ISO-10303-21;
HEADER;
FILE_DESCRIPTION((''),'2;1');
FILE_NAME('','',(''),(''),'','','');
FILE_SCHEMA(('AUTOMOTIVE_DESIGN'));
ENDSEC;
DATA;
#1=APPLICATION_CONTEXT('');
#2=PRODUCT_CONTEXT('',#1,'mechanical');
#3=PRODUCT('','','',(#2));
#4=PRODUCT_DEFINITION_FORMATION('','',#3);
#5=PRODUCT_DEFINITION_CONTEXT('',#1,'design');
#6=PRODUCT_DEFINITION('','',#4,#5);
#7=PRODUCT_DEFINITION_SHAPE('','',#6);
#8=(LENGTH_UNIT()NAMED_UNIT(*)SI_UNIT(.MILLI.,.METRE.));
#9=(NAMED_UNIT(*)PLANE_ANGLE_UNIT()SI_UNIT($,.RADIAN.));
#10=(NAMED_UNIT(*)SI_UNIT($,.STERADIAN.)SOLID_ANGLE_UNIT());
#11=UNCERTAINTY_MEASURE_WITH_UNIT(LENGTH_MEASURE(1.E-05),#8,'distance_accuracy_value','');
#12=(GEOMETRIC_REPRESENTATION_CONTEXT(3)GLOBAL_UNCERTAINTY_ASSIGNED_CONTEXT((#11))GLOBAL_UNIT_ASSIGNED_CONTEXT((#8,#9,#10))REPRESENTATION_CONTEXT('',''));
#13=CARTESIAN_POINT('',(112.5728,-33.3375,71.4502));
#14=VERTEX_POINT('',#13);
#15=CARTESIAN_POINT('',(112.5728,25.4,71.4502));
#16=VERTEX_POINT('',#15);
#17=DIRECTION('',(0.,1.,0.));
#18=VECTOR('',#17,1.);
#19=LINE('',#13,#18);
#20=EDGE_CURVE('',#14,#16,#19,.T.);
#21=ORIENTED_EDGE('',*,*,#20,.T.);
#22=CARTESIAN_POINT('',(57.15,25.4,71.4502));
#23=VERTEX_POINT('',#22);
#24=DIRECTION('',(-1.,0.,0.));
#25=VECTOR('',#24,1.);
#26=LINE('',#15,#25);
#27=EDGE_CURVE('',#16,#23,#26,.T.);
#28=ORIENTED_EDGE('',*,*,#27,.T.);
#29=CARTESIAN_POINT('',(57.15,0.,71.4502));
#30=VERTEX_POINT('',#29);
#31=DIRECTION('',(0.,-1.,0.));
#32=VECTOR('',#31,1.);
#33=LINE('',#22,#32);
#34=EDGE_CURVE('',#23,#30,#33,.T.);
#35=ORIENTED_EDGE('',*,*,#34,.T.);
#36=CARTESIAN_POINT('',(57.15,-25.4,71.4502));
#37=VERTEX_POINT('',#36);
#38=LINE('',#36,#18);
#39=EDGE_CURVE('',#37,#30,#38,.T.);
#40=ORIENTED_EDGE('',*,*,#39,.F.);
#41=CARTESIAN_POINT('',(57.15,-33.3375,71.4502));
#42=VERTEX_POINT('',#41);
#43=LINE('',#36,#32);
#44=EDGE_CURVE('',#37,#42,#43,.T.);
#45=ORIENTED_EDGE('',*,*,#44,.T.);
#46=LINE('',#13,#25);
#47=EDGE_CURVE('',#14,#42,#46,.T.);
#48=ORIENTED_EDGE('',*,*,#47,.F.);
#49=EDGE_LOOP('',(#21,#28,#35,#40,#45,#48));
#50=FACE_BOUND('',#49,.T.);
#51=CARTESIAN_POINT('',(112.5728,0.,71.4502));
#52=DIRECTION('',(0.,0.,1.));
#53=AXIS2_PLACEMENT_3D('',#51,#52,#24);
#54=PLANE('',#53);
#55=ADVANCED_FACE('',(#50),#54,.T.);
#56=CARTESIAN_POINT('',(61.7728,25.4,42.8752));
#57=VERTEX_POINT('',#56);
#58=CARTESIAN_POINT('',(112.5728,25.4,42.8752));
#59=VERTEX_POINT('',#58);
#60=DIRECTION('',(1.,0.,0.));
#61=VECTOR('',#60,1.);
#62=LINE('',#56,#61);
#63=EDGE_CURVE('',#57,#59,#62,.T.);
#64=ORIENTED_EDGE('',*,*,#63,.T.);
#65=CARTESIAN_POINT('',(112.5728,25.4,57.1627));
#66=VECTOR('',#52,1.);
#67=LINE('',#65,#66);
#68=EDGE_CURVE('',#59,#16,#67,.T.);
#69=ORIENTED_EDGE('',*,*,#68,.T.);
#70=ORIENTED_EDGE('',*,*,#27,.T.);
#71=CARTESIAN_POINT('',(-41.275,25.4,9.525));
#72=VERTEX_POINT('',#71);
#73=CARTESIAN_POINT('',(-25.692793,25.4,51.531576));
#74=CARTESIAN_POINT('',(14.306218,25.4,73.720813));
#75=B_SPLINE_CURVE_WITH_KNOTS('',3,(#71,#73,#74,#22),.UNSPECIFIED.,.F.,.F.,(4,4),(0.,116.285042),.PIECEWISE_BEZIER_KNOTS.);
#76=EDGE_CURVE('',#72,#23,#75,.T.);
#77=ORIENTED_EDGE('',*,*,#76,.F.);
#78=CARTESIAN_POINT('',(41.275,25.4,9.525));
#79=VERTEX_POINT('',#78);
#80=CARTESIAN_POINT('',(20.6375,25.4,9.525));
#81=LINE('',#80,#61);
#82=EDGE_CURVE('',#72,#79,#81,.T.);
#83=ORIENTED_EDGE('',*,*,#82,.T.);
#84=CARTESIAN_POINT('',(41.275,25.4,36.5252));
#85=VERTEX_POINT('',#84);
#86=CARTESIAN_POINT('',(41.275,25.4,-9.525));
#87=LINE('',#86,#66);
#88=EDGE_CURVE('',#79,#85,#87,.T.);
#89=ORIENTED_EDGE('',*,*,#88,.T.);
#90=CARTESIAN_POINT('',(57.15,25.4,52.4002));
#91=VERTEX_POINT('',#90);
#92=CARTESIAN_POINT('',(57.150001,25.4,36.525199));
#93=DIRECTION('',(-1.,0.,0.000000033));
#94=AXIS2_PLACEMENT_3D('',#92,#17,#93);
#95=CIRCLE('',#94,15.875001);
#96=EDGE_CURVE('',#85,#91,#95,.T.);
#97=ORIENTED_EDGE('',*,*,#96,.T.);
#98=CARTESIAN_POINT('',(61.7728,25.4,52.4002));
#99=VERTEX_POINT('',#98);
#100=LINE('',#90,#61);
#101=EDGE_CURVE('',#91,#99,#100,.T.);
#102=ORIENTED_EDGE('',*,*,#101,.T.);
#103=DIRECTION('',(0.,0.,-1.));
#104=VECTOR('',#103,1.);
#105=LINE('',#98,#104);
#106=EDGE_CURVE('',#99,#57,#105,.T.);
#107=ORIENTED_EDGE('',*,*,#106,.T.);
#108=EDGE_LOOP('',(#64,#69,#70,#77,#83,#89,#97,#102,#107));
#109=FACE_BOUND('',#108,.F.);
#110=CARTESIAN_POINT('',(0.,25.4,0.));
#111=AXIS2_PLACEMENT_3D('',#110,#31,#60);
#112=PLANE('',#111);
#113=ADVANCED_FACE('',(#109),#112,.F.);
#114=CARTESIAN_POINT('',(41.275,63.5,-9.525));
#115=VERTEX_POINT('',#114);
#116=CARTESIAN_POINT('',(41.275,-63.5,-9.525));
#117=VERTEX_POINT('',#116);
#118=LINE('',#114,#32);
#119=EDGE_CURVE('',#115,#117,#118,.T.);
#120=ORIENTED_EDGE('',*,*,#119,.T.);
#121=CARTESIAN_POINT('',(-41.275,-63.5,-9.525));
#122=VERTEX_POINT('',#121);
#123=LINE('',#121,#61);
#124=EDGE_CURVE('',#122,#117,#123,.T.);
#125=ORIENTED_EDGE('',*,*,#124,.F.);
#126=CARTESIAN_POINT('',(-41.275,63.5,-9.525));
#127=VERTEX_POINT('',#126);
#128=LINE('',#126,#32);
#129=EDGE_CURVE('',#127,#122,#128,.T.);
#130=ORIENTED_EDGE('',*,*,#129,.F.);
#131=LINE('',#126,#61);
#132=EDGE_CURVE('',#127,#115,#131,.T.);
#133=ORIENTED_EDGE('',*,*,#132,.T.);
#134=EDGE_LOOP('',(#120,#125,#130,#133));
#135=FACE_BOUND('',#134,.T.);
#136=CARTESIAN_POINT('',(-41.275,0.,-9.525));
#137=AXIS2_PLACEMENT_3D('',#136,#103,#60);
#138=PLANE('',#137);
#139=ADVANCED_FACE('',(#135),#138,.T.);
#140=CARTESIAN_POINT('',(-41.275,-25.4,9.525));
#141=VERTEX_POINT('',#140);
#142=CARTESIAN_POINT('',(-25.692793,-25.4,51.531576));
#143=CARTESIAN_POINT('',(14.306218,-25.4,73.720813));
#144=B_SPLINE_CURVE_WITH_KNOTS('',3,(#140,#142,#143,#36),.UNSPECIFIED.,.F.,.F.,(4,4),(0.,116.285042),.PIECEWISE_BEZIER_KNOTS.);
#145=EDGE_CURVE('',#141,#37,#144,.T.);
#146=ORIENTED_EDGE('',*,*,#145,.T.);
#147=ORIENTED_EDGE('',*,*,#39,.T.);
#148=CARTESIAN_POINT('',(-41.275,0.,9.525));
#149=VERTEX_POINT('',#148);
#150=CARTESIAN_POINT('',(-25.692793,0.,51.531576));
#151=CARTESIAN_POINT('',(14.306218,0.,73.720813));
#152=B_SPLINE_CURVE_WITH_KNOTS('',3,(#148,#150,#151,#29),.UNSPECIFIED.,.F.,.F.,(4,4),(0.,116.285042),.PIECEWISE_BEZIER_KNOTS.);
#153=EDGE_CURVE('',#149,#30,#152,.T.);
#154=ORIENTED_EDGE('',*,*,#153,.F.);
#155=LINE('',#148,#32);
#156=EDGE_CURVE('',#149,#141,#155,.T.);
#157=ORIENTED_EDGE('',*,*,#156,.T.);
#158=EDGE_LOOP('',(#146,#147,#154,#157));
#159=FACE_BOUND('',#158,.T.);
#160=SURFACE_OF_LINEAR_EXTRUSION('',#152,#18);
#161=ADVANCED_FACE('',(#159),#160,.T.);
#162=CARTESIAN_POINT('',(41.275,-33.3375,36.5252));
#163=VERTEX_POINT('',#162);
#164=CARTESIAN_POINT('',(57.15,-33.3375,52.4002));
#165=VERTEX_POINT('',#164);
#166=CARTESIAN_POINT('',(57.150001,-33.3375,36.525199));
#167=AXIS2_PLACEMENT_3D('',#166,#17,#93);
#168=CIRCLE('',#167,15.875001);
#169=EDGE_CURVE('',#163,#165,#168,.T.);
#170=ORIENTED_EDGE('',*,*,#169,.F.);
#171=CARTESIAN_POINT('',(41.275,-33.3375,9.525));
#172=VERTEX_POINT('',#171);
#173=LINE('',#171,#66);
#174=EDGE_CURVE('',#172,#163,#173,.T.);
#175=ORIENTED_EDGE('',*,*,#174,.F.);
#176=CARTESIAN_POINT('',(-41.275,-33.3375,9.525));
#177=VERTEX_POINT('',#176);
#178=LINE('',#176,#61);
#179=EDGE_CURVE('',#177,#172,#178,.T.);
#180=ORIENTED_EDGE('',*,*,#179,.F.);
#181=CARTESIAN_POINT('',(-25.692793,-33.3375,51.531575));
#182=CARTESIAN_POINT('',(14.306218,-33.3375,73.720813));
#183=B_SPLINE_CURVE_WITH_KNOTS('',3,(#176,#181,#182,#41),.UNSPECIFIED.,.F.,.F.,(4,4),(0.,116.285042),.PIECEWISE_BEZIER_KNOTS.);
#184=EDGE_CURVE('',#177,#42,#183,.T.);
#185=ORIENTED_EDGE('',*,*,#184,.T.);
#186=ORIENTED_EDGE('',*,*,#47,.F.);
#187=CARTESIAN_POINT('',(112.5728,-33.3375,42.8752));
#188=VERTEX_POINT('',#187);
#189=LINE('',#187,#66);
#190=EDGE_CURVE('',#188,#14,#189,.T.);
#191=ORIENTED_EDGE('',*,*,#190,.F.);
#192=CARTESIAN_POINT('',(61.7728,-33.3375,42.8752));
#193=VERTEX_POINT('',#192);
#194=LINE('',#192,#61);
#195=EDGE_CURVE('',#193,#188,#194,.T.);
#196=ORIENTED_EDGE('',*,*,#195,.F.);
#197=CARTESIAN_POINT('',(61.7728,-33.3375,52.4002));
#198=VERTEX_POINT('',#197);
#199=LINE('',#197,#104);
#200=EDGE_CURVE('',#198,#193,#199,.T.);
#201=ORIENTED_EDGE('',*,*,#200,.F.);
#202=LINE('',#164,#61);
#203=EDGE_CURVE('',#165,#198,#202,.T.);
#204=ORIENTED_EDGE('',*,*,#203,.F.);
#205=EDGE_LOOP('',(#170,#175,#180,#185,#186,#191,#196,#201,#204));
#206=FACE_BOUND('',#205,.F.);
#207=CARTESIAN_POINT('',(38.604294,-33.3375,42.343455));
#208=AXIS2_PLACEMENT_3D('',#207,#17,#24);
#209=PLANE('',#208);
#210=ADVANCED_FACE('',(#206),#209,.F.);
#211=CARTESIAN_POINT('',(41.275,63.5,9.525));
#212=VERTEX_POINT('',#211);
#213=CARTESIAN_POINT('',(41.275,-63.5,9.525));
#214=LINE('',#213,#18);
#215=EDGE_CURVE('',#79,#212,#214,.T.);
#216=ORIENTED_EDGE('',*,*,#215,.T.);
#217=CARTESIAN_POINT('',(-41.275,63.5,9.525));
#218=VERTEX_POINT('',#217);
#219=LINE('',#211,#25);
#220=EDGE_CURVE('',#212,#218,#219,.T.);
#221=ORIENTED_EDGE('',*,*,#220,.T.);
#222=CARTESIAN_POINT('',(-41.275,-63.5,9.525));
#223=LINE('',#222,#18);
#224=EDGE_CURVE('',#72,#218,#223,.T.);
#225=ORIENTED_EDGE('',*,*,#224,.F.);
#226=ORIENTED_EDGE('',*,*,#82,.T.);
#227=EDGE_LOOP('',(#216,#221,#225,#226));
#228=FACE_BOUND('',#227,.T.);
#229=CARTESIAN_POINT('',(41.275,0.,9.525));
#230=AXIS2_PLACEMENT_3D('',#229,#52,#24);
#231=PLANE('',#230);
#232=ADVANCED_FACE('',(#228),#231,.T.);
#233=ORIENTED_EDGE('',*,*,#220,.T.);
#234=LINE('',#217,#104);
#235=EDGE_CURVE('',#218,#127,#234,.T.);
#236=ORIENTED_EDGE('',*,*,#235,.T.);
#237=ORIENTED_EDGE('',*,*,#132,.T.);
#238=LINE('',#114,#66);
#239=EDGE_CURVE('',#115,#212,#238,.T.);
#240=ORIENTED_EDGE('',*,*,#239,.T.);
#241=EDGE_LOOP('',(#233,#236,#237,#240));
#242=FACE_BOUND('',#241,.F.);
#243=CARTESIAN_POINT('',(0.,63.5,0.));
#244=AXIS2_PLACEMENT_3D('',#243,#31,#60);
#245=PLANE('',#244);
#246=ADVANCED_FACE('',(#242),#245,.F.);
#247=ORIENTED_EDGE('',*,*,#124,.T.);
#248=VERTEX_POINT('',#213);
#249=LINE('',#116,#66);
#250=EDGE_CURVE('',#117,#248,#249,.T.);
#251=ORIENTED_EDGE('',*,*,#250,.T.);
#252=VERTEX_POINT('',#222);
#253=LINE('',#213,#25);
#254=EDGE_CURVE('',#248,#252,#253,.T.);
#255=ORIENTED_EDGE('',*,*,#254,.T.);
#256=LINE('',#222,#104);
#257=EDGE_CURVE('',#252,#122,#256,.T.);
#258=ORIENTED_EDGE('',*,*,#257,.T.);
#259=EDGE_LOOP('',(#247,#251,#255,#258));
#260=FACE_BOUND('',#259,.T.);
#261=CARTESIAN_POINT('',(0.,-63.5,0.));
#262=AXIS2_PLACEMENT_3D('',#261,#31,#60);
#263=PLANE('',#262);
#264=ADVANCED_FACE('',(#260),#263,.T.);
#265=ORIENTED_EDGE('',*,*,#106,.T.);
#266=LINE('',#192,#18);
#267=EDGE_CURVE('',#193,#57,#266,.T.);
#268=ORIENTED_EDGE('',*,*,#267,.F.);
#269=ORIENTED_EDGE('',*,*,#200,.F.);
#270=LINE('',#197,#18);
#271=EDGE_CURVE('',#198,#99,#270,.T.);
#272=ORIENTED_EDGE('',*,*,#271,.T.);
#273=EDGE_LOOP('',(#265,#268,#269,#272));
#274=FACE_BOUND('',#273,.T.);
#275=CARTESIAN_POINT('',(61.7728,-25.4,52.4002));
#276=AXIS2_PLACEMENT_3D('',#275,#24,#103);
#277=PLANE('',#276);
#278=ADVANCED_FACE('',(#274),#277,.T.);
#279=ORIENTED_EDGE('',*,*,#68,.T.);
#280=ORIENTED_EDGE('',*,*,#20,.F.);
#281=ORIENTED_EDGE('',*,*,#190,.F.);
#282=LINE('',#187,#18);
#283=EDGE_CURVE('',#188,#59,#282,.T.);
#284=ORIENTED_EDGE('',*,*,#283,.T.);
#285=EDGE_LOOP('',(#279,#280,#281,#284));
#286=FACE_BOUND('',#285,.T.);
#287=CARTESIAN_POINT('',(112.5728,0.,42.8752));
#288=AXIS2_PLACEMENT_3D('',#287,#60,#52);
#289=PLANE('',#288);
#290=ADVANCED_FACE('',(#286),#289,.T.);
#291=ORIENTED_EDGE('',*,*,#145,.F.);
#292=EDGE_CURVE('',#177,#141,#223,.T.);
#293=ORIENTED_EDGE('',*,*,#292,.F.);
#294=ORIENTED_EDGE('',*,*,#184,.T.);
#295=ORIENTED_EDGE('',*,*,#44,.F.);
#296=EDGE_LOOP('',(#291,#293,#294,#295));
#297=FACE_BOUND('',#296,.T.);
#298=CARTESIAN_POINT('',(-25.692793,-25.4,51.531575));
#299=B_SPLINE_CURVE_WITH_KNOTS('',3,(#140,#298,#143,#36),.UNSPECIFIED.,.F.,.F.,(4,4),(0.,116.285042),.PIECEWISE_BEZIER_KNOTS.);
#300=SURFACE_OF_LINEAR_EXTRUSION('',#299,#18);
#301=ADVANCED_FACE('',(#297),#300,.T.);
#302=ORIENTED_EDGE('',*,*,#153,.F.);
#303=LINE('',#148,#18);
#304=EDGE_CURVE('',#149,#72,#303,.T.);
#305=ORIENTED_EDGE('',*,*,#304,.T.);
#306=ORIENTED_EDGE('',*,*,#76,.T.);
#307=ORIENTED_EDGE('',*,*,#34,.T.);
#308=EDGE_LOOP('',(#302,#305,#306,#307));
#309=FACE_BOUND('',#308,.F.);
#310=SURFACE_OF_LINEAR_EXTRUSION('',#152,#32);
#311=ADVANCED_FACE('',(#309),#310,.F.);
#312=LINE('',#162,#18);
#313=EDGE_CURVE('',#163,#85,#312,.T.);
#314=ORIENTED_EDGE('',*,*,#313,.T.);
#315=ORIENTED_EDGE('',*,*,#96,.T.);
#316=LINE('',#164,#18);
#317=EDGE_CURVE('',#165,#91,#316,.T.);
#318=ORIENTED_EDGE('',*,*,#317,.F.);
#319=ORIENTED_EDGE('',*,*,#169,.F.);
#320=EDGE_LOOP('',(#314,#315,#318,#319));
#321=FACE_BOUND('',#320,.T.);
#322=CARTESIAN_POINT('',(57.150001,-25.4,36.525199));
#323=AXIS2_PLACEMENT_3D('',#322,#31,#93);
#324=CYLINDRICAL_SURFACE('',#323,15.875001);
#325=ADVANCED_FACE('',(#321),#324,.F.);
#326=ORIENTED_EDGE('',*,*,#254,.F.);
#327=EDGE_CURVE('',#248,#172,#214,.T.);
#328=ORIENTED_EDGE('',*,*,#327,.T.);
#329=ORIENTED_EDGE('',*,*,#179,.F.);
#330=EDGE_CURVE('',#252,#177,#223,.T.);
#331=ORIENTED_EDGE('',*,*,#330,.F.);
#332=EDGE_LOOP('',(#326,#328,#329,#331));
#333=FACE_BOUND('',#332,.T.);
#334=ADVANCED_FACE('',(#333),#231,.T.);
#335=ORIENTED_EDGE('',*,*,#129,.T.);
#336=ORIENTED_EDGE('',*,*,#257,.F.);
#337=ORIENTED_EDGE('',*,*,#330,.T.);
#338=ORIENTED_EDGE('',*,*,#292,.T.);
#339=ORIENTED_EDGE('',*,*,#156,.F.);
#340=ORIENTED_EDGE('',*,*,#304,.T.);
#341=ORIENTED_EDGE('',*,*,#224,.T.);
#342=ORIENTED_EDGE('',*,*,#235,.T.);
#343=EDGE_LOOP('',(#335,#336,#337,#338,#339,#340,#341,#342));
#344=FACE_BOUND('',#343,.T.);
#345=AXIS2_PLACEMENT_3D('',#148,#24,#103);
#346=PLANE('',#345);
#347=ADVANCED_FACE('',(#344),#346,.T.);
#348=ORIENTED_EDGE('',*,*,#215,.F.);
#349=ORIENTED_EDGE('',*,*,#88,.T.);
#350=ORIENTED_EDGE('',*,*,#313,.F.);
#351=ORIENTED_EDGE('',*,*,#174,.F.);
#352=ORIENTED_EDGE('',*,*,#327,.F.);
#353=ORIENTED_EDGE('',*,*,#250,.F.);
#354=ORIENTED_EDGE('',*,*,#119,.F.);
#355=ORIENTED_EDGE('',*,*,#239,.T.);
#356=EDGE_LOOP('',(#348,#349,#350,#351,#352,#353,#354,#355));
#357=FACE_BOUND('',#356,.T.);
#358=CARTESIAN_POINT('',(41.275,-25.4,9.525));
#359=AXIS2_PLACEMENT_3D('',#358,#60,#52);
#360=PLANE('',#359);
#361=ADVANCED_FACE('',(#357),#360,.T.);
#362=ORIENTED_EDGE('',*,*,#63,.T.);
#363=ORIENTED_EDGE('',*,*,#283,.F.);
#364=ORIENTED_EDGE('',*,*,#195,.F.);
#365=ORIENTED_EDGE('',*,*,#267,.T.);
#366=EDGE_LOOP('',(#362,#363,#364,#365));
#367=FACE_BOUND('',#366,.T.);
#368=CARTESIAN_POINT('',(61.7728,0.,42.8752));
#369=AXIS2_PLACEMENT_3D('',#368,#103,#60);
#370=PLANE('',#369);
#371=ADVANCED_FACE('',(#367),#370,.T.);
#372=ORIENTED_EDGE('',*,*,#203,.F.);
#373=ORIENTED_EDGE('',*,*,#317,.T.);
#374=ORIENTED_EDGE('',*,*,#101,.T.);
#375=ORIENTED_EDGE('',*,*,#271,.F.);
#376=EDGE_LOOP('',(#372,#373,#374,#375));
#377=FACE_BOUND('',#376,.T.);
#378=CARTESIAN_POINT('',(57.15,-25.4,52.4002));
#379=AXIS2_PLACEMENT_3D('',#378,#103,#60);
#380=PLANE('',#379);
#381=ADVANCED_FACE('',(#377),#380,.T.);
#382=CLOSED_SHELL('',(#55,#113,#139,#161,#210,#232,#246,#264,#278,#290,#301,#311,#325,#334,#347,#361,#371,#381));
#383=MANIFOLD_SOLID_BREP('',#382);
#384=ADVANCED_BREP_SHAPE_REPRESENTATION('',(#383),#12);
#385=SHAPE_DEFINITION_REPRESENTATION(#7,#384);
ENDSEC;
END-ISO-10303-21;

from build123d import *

# Parameters (mm, degrees)
F1_DEPTH = 63.5
F0_W     = 25.4
F0_H     = 28.575
F2_DEPTH = 25.4
F3_DEPTH = 7.9375


with BuildPart() as f1:
    # F0 (on Front) → F1 (new body, symmetric)
    with BuildSketch(Plane.XZ):
        Polygon((-41.275, 9.525), (-41.275, -9.525), (41.275, -9.525), (41.275, 9.525), (22.225, 9.525), align=None)
    extrude(amount=F1_DEPTH, both=True)

    # F0 (on Front) → F2 (join, symmetric)
    with BuildSketch(Plane.XZ):
        Polygon((-41.275, 9.525), (-41.275, -9.525), (41.275, -9.525), (41.275, 9.525), (22.225, 9.525), align=None)
        with BuildLine():
            add(Edge.make_bspline(
                [(-41.275, 9.525), (-25.692793, 51.531576), (14.306218, 73.720813), (57.15, 71.4502)],
                knots=[0, 0, 0, 0, 116.285042, 116.285042, 116.285042, 116.285042], degree=3))
            Line((-41.275, 9.525), (22.225, 9.525))
            Line((22.225, 9.525), (22.225, 36.5252))
            ThreePointArc((22.225, 36.5252), (32.454296, 61.220904), (57.15, 71.4502))
        make_face()
        with BuildLine():
            Line((22.225, 9.525), (41.275, 9.525))
            Line((41.275, 9.525), (41.275, 36.5252))
            ThreePointArc((41.275, 36.5252), (45.92468, 47.75052), (57.15, 52.4002))
            Line((57.15, 52.4002), (61.7728, 52.4002))
            Line((61.7728, 52.4002), (61.7728, 71.4502))
            Line((61.7728, 71.4502), (57.15, 71.4502))
            ThreePointArc((57.15, 71.4502), (32.454296, 61.220904), (22.225, 36.5252))
            Line((22.225, 36.5252), (22.225, 9.525))
        make_face()
        Polygon((85.725, 71.4502), (61.7728, 71.4502), (61.7728, 52.4002), (61.7728, 42.8752), (87.1728, 42.8752), (87.1728, 71.4502), align=None)
        with Locations((99.8728, 57.1627)):
            Rectangle(F0_W, F0_H)
    extrude(amount=F2_DEPTH, both=True)

    # F0 (on Front) + F2_face (on face) → F3 (join, symmetric)
    with BuildSketch(Plane.XZ):
        Polygon((-41.275, 9.525), (-41.275, -9.525), (41.275, -9.525), (41.275, 9.525), (22.225, 9.525), align=None)
        with BuildLine():
            add(Edge.make_bspline(
                [(-41.275, 9.525), (-25.692793, 51.531576), (14.306218, 73.720813), (57.15, 71.4502)],
                knots=[0, 0, 0, 0, 116.285042, 116.285042, 116.285042, 116.285042], degree=3))
            Line((-41.275, 9.525), (22.225, 9.525))
            Line((22.225, 9.525), (22.225, 36.5252))
            ThreePointArc((22.225, 36.5252), (32.454296, 61.220904), (57.15, 71.4502))
        make_face()
        with BuildLine():
            Line((22.225, 9.525), (41.275, 9.525))
            Line((41.275, 9.525), (41.275, 36.5252))
            ThreePointArc((41.275, 36.5252), (45.92468, 47.75052), (57.15, 52.4002))
            Line((57.15, 52.4002), (61.7728, 52.4002))
            Line((61.7728, 52.4002), (61.7728, 71.4502))
            Line((61.7728, 71.4502), (57.15, 71.4502))
            ThreePointArc((57.15, 71.4502), (32.454296, 61.220904), (22.225, 36.5252))
            Line((22.225, 36.5252), (22.225, 9.525))
        make_face()
        Polygon((85.725, 71.4502), (61.7728, 71.4502), (61.7728, 52.4002), (61.7728, 42.8752), (87.1728, 42.8752), (87.1728, 71.4502), align=None)
        with Locations((99.8728, 57.1627)):
            Rectangle(F0_W, F0_H)
    with BuildSketch(Plane(origin=(32.737108, -25.4, 42.563557), x_dir=(1, 0, 0), z_dir=(0, -1, 0))):
        with BuildLine():
            add(Edge.make_bspline(
                [(-74.012108, -33.038557), (-58.429901, 8.968018), (-18.43089, 31.157256), (24.412892, 28.886643)],
                knots=[0, 0, 0, 0, 116.285042, 116.285042, 116.285042, 116.285042], degree=3))
            Line((-74.012108, -33.038557), (8.537892, -33.038557))
            Line((8.537892, -33.038557), (8.537892, -6.038357))
            ThreePointArc((8.537892, -6.038357), (13.187572, 5.186963), (24.412892, 9.836643))
            Line((24.412892, 9.836643), (29.035692, 9.836643))
            Line((29.035692, 9.836643), (29.035692, 0.311643))
            Line((29.035692, 0.311643), (79.835692, 0.311643))
            Line((79.835692, 0.311643), (79.835692, 28.886643))
            Line((79.835692, 28.886643), (24.412892, 28.886643))
        make_face()
    extrude(amount=F3_DEPTH, both=True)


solid = f1.part
